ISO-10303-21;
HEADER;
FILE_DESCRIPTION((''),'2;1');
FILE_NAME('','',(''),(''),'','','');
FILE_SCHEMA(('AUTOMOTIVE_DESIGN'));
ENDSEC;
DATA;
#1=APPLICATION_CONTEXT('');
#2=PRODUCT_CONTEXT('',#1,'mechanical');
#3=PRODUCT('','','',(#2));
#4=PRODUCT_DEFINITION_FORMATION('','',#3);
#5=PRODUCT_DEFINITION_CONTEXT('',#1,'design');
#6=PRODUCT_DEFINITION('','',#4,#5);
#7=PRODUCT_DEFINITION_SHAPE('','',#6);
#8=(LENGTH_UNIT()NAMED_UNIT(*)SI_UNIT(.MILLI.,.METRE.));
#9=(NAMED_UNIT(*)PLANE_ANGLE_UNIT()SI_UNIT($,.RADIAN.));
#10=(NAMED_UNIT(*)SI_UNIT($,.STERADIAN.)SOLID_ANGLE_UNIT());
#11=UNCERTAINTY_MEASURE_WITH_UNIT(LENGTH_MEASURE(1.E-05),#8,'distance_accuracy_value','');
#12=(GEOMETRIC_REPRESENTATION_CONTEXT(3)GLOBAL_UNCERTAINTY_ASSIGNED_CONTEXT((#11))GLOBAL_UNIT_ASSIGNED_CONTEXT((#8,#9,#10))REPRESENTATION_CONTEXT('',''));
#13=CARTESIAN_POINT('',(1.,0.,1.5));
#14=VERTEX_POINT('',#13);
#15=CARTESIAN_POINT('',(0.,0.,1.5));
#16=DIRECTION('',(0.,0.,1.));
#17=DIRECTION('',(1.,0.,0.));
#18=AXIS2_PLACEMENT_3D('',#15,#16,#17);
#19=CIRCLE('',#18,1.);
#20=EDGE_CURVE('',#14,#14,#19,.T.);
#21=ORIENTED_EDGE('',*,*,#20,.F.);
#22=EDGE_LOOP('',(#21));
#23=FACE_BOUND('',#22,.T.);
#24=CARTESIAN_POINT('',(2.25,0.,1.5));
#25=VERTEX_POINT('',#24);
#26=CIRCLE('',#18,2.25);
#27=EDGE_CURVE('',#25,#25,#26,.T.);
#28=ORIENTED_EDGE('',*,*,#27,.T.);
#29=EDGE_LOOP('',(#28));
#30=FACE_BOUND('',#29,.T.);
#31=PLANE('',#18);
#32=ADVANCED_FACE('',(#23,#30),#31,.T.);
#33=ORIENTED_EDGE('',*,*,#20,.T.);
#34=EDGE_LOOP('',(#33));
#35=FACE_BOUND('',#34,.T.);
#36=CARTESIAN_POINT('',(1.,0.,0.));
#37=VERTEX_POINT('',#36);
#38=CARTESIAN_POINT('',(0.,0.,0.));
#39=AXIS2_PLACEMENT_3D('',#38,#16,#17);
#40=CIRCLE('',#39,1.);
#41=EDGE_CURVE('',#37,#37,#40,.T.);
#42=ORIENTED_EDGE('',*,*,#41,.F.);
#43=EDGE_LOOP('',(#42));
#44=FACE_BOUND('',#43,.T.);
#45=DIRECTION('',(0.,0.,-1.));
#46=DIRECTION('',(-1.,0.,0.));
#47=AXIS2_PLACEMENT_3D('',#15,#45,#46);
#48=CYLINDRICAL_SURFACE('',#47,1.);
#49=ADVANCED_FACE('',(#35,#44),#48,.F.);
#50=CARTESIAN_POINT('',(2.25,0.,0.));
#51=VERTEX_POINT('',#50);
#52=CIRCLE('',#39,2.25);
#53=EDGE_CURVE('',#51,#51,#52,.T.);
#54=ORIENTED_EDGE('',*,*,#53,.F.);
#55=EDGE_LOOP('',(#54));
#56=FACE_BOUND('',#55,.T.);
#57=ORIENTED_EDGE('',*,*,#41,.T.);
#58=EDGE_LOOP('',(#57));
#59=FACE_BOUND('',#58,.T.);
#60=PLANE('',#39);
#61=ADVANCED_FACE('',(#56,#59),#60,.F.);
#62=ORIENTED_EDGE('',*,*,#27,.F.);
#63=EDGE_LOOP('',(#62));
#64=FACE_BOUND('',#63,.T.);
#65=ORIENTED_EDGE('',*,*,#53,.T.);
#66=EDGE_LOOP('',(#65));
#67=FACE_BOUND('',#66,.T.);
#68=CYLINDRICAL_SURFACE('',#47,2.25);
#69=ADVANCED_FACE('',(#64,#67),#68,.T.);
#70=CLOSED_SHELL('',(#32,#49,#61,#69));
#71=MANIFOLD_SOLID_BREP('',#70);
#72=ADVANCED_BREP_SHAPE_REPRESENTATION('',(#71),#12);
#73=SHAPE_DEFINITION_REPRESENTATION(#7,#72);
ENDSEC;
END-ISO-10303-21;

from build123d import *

# Parameters (mm, degrees)
SKETCH1_R           = 2.25
SKETCH1_R_2         = 1
BOSS_EXTRUDE1_DEPTH = 1.5


with BuildPart() as part:
    # Sketch1 → Boss-Extrude1 (new body)
    with BuildSketch(Plane.XY):
        Circle(SKETCH1_R)
        Circle(SKETCH1_R_2, mode=Mode.SUBTRACT)
    extrude(amount=BOSS_EXTRUDE1_DEPTH)


solid = part.part
